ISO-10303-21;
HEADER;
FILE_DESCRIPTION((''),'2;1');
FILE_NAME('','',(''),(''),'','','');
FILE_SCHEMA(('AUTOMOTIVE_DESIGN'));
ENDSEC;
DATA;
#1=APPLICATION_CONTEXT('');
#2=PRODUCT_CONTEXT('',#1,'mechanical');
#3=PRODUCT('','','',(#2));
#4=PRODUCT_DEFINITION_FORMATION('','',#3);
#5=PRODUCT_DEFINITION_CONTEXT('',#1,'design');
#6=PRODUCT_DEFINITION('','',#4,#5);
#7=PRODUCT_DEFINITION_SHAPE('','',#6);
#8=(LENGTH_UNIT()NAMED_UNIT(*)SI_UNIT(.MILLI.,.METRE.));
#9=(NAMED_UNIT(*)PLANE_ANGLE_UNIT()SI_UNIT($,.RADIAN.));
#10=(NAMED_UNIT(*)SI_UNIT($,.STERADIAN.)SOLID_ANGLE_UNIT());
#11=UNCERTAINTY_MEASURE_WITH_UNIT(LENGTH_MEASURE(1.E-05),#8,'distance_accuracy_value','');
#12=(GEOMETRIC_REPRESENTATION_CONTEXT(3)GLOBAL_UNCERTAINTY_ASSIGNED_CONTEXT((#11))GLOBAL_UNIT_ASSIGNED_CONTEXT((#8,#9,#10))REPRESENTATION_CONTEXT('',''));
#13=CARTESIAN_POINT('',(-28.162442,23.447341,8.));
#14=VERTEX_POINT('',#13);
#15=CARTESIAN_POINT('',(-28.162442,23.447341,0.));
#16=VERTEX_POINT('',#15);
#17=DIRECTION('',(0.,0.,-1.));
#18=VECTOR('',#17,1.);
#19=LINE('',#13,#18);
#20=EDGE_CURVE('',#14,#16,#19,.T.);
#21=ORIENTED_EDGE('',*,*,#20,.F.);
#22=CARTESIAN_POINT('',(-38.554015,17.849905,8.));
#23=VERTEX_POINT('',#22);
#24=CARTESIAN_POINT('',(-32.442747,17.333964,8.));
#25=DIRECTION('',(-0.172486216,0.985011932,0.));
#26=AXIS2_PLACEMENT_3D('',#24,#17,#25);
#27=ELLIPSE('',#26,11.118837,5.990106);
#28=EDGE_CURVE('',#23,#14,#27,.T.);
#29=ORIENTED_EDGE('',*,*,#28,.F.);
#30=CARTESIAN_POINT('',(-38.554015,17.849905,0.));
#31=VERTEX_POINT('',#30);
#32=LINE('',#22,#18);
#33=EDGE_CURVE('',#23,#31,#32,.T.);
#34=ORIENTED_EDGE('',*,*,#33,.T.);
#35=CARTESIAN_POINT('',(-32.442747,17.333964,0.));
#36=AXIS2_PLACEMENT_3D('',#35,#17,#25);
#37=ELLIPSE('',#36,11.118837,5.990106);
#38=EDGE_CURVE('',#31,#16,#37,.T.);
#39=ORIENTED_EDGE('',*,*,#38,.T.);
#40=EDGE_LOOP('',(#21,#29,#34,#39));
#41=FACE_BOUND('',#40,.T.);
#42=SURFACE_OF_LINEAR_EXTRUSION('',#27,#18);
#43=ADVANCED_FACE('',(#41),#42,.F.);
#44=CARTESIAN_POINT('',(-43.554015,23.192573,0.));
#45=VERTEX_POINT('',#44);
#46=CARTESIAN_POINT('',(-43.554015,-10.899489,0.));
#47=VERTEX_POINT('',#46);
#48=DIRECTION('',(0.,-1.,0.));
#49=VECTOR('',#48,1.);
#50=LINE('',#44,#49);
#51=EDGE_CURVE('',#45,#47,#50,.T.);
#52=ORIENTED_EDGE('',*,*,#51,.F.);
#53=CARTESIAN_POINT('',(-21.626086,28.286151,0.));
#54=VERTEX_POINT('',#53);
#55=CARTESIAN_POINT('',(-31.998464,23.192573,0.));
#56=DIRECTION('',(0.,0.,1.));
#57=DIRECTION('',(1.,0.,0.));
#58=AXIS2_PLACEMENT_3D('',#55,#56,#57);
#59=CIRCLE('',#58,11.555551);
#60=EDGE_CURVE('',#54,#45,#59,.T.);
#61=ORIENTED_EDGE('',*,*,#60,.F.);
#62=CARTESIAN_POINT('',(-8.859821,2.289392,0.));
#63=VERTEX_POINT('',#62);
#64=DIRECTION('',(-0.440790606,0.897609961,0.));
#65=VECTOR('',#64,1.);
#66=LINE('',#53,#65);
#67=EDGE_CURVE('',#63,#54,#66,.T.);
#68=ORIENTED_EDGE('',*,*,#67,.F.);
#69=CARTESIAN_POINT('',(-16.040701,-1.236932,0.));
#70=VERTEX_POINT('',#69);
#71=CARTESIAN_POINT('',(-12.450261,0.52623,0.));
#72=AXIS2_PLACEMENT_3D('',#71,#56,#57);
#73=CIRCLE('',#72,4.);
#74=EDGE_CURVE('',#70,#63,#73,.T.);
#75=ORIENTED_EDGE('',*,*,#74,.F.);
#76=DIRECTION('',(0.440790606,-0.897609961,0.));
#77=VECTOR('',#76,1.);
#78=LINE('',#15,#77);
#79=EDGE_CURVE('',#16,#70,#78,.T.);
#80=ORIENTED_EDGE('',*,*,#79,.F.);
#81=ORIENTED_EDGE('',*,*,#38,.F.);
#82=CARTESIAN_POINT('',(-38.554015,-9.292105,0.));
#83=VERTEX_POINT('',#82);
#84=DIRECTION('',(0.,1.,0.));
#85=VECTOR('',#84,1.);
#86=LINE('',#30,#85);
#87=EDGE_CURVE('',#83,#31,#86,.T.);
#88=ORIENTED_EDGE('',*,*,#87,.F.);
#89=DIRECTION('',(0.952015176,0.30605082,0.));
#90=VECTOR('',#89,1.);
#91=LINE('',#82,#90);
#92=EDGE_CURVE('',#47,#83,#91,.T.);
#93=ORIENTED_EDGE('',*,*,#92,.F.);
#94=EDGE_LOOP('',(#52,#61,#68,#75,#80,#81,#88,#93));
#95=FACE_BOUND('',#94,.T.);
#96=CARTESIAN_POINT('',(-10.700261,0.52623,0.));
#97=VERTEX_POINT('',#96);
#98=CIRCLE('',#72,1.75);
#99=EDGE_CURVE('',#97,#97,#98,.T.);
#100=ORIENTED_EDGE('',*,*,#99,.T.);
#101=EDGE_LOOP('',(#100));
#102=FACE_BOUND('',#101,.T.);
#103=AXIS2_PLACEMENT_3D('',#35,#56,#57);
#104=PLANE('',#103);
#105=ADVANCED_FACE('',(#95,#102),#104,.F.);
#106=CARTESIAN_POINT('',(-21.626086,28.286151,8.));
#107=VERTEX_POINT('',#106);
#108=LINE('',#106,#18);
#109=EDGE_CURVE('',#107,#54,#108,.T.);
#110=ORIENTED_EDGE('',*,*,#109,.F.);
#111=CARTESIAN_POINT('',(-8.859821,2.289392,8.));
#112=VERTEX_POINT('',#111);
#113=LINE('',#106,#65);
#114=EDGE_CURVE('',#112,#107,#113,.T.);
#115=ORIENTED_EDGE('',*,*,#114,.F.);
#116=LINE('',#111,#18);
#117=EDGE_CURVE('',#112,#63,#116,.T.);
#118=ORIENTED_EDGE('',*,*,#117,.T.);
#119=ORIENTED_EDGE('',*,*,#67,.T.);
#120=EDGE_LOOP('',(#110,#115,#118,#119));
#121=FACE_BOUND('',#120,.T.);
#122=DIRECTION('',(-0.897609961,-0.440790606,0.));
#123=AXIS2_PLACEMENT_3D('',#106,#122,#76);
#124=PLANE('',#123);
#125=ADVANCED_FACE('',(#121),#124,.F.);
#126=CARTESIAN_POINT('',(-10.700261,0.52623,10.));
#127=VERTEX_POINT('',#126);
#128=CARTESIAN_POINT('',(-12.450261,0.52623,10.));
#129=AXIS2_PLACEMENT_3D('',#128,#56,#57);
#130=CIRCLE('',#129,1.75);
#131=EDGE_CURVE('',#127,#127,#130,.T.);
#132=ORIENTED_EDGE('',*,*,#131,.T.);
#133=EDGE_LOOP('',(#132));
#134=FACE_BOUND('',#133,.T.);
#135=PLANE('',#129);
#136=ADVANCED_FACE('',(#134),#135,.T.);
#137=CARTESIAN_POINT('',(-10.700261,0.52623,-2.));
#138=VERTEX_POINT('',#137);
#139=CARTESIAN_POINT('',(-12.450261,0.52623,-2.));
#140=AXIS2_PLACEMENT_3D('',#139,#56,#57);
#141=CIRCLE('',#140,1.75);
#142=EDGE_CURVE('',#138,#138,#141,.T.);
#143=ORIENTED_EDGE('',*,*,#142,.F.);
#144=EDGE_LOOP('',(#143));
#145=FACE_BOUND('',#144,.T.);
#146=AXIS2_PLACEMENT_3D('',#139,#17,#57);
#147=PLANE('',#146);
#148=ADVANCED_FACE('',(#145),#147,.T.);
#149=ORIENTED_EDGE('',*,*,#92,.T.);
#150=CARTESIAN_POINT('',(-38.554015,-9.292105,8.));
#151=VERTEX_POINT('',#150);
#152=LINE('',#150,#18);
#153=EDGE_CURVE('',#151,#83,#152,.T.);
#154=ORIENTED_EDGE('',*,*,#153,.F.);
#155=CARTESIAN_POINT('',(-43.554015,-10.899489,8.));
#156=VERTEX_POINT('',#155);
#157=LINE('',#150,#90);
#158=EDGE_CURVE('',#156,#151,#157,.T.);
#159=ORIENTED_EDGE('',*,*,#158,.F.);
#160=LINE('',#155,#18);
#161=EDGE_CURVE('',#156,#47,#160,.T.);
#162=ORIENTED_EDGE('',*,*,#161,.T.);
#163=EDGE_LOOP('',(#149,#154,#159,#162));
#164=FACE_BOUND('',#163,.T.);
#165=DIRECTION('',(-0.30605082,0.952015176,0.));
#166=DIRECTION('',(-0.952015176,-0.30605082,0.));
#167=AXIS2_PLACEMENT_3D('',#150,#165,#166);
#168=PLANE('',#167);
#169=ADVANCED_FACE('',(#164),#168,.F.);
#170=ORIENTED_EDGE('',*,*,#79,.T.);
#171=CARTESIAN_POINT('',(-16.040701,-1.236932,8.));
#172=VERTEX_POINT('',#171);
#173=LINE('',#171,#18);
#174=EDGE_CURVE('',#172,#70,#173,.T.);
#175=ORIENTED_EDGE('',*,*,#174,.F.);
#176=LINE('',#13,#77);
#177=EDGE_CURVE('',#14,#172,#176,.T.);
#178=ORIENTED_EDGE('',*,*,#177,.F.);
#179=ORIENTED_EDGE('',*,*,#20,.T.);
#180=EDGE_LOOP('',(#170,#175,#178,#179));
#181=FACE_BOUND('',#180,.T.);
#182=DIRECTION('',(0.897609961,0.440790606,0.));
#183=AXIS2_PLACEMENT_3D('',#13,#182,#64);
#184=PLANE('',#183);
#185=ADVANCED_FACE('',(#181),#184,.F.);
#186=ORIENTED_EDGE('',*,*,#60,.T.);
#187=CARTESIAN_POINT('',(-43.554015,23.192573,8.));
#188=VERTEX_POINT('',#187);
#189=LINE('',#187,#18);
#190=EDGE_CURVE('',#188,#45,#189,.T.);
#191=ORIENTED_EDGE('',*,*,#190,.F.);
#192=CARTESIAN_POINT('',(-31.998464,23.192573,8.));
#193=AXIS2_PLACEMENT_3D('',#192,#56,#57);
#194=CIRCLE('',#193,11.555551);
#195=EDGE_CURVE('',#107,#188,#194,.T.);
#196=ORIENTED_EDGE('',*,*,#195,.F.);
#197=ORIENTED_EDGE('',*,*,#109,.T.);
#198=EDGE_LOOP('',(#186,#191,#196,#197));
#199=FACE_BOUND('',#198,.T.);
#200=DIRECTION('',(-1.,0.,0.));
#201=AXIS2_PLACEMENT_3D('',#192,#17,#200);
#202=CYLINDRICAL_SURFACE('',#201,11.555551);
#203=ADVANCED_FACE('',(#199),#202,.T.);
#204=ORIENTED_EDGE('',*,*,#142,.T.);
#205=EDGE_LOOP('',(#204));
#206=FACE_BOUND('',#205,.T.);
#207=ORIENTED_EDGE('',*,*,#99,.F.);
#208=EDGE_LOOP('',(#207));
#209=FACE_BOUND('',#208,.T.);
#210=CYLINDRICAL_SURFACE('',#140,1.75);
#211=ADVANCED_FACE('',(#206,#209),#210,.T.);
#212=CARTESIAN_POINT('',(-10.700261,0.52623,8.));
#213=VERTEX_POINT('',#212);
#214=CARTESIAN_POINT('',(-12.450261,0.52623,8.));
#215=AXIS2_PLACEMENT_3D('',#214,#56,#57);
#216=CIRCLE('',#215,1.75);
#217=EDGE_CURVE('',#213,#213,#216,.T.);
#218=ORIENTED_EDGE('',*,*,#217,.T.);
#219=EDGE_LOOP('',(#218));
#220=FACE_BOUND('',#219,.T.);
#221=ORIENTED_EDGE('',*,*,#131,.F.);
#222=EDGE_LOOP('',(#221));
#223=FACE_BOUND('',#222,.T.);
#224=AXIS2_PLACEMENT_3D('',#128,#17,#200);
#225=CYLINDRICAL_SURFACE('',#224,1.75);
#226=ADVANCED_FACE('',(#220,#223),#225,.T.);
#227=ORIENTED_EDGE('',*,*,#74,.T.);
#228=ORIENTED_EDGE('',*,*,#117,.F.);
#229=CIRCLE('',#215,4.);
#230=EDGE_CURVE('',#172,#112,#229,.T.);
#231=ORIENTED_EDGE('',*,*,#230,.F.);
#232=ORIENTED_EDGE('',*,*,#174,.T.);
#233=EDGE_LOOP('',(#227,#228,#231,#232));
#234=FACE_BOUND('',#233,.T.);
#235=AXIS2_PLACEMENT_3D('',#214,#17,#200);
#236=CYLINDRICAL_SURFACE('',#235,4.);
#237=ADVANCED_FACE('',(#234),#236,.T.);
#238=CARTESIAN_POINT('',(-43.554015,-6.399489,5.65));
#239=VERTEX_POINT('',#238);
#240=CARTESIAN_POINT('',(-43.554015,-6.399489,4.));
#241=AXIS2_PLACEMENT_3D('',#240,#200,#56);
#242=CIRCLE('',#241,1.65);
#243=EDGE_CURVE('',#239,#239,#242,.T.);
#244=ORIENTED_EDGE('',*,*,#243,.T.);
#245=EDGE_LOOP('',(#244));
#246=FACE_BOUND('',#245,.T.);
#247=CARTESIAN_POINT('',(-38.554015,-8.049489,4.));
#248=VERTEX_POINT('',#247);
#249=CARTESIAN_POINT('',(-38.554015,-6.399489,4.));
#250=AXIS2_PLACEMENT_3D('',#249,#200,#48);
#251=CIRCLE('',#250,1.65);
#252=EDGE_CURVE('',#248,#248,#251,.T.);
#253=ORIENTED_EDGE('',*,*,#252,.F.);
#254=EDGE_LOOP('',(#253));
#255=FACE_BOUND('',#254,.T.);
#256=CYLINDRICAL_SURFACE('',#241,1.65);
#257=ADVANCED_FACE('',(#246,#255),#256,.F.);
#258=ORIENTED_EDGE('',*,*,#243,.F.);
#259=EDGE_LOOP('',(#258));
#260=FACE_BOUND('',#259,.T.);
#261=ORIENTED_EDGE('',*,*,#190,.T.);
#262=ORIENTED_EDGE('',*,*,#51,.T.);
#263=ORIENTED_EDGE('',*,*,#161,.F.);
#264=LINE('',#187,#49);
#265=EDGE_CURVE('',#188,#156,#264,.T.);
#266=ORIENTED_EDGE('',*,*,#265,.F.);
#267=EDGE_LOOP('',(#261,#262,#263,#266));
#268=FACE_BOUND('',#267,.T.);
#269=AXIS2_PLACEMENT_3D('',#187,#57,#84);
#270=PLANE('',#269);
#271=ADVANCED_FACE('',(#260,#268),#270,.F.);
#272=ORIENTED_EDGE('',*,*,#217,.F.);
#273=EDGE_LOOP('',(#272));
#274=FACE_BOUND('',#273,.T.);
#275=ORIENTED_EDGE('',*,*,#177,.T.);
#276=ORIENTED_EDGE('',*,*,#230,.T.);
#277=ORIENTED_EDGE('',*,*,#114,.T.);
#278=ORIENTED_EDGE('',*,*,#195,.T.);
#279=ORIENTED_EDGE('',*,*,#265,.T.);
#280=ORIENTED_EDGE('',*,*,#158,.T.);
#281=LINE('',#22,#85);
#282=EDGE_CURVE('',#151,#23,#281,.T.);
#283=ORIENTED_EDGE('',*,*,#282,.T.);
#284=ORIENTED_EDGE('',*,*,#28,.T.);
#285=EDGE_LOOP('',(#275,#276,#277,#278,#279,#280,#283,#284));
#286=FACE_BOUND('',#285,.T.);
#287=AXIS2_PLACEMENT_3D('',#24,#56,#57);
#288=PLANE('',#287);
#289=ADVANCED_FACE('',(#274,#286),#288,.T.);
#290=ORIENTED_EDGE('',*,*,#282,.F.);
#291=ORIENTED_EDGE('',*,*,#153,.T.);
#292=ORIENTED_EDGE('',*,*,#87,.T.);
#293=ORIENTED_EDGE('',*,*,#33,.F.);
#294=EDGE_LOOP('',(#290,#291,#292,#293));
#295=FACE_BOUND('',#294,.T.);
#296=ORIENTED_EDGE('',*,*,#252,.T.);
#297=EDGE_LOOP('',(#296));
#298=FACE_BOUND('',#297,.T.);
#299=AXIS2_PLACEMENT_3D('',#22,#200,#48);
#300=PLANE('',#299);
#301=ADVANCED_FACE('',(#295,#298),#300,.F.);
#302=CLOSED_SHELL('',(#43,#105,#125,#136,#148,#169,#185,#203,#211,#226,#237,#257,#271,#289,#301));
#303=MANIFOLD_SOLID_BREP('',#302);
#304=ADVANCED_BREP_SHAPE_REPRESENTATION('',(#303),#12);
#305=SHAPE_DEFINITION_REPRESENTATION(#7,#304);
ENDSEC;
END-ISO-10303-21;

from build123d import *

# Parameters (mm, degrees)
SALIENTE_EXTRUIR1_DEPTH                        = 8
CROQUIS2_R                                     = 1.75
SALIENTE_EXTRUIR2_DEPTH                        = 2
PERFORADOR_PARA_ROSCAR_PARA_MACHO_DE_ROS_D     = 3.3
PERFORADOR_PARA_ROSCAR_PARA_MACHO_DE_ROS_DEPTH = 7
PERFORADOR_PARA_ROSCAR_PARA_MACHO_DE_ROS_TIP   = 0.991420021


with BuildPart() as part:
    # Croquis1 → Saliente-Extruir1 (new body)
    with BuildSketch(Plane.XY):
        with BuildLine():
            Line((-21.62608642, 28.286151185), (-8.859820947, 2.289392402))
            ThreePointArc((-8.859820947, 2.289392402), (-10.687098367, -3.064209864), (-16.040700634, -1.236932444))
            Line((-16.040700634, -1.236932444), (-28.162442293, 23.44734148))
            add(Edge.make_bspline(
                [(-28.162442293, 23.44734148), (-41.803068248, 51.224616152), (-38.554014675, 17.849905123)],
                knots=[2.065965679, 2.065965679, 2.065965679, 4.571411553, 4.571411553, 4.571411553], degree=2, weights=[1, 0.312737171, 1]))
            Line((-38.554014675, 17.849905123), (-38.554014675, -9.292104706))
            Line((-38.554014675, -9.292104706), (-43.554014675, -10.899488854))
            Line((-43.554014675, -10.899488854), (-43.554014675, 23.192572958))
            ThreePointArc((-43.554014675, 23.192572958), (-34.613059385, 34.4484445), (-21.62608642, 28.286151185))
        make_face()
    extrude(amount=SALIENTE_EXTRUIR1_DEPTH)

    # Croquis2 → Saliente-Extruir2 (add)
    with BuildSketch(Plane.XY.offset(8)):
        with Locations((-12.45026079, 0.526229979)):
            Circle(CROQUIS2_R)
    saliente_extruir2 = extrude(amount=SALIENTE_EXTRUIR2_DEPTH)

    # Simetría1: Saliente-Extruir2 across plane
    add(saliente_extruir2.mirror(Plane.XY.offset(4)))

    # Perforador para roscar para macho de roscar para M41
    with Locations(Plane.ZY.offset(43.554014675)):
        with Locations((4, -6.399488854)):
            Hole(PERFORADOR_PARA_ROSCAR_PARA_MACHO_DE_ROS_D / 2, depth=PERFORADOR_PARA_ROSCAR_PARA_MACHO_DE_ROS_DEPTH)
            with Locations((0, 0, -(PERFORADOR_PARA_ROSCAR_PARA_MACHO_DE_ROS_DEPTH + PERFORADOR_PARA_ROSCAR_PARA_MACHO_DE_ROS_TIP / 2))):  # 118° drill point
                Cone(0, PERFORADOR_PARA_ROSCAR_PARA_MACHO_DE_ROS_D / 2, PERFORADOR_PARA_ROSCAR_PARA_MACHO_DE_ROS_TIP, mode=Mode.SUBTRACT)


solid = part.part
